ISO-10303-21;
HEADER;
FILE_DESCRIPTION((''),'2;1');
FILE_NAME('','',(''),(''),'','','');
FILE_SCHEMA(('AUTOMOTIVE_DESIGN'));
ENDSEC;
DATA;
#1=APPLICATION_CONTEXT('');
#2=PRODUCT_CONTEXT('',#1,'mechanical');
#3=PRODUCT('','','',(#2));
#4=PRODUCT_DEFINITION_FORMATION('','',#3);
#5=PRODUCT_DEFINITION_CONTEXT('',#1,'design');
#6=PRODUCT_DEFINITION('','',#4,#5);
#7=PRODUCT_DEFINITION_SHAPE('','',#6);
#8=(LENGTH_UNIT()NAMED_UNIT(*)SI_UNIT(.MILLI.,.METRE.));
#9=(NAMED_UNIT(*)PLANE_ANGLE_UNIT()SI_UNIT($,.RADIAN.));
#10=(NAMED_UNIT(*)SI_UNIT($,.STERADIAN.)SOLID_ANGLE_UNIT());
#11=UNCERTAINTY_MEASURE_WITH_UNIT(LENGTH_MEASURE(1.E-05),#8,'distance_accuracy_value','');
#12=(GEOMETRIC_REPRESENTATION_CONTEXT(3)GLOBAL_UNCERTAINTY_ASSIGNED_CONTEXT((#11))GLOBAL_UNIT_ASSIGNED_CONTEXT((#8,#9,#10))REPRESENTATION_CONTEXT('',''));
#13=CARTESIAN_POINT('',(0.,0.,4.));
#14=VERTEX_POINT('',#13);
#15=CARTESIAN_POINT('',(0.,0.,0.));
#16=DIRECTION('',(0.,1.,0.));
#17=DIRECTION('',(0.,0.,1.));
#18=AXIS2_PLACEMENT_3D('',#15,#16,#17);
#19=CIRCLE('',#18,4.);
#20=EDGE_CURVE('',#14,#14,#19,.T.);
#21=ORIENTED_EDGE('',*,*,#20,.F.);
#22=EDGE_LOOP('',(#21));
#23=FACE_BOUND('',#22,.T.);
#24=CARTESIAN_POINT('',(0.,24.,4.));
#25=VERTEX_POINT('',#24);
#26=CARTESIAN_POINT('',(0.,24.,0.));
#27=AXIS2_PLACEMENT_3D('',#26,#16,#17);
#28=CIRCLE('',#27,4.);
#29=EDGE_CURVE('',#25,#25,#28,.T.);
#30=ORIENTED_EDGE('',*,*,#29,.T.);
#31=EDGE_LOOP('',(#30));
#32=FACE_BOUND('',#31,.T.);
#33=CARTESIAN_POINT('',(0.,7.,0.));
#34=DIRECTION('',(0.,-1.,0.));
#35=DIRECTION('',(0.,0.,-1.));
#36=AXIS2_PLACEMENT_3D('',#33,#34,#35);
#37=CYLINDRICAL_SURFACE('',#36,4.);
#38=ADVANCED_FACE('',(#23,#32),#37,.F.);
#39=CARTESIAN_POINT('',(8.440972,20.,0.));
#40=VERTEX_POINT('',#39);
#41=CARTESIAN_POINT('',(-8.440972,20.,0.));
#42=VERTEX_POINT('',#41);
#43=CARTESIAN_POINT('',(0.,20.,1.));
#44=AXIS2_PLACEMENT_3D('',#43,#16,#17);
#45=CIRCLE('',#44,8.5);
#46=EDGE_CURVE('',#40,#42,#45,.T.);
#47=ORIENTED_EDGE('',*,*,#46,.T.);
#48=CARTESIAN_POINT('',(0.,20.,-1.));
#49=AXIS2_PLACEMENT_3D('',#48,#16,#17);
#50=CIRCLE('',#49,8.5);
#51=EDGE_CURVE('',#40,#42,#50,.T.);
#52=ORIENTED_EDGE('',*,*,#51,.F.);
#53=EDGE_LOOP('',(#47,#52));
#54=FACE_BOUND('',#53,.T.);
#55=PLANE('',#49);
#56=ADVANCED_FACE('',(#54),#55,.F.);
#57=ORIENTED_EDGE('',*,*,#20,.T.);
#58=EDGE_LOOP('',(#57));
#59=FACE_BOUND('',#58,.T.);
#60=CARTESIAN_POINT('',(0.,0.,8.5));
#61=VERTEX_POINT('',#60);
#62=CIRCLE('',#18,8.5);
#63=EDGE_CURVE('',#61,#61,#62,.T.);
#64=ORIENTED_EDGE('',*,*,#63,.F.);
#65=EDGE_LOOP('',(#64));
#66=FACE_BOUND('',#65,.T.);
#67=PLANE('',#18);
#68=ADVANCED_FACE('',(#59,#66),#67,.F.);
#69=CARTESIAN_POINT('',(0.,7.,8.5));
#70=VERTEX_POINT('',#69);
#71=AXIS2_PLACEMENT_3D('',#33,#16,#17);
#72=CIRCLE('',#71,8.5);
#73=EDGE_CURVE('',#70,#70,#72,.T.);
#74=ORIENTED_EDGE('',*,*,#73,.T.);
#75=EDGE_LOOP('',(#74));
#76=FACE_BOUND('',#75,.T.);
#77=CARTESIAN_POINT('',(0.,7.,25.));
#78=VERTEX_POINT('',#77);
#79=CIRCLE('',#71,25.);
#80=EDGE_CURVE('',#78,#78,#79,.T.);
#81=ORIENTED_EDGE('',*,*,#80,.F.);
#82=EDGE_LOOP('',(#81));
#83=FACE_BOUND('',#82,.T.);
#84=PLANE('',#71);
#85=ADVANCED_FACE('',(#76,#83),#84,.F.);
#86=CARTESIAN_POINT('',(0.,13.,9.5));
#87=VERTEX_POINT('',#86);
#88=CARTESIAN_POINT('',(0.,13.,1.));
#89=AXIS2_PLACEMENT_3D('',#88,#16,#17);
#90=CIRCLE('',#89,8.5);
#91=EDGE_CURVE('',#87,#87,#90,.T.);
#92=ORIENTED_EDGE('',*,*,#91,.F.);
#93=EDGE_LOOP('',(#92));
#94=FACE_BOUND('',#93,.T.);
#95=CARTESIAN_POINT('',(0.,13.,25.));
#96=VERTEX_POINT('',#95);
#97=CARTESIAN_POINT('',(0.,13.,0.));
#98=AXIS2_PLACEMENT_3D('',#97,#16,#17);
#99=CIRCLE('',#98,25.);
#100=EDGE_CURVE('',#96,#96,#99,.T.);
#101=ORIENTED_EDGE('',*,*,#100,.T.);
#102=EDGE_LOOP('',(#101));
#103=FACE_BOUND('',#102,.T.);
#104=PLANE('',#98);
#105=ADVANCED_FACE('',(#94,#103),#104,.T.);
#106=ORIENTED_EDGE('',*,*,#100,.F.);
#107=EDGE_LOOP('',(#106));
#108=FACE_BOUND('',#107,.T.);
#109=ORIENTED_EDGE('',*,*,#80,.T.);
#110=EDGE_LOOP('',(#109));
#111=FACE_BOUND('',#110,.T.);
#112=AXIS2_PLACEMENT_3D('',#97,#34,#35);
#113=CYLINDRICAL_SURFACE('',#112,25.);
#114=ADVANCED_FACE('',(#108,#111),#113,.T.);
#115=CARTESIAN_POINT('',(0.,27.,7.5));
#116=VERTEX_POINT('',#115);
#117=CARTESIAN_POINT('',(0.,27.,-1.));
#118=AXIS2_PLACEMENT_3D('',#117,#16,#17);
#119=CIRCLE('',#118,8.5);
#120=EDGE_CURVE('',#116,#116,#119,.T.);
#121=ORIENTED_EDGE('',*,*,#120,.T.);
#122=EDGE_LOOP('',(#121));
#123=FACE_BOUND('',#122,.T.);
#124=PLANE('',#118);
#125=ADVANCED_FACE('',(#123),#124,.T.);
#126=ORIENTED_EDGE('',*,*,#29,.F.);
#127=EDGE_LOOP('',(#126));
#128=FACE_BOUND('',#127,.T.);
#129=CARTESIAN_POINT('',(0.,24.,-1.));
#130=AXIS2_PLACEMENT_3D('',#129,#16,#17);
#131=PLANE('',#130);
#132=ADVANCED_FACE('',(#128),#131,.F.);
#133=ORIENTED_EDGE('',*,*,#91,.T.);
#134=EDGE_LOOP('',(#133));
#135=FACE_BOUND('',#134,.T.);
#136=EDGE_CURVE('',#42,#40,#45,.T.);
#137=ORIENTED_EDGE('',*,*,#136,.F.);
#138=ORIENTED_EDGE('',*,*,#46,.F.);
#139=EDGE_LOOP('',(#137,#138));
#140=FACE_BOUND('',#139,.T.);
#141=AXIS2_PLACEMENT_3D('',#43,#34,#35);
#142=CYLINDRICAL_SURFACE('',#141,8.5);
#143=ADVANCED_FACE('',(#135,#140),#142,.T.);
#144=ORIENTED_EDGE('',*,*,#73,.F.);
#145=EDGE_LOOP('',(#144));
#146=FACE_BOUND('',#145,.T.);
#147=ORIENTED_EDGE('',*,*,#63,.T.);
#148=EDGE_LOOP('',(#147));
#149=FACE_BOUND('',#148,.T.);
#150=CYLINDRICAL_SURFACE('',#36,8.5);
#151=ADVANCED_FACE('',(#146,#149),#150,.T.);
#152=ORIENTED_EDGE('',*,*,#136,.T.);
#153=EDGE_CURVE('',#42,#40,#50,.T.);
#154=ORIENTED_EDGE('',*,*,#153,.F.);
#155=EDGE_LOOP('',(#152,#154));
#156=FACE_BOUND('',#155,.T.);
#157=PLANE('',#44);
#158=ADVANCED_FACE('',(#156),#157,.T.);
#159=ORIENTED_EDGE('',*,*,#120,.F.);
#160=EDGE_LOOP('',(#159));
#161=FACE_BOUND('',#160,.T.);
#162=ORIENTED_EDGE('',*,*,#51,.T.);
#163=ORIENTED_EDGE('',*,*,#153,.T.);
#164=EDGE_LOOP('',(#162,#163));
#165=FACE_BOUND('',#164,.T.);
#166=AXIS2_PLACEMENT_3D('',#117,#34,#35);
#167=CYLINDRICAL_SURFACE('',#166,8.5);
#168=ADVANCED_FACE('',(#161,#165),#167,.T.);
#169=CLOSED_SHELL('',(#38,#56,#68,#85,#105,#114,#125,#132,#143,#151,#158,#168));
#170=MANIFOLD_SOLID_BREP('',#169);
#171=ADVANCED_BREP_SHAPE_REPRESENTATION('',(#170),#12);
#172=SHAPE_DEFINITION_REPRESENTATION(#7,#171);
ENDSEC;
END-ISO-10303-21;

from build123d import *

# Parameters (mm, degrees)
SKETCH1_R           = 8.5
SKETCH1_R_2         = 4
BOSS_EXTRUDE1_DEPTH = 7
SKETCH3_R           = 25
SKETCH3_R_2         = 4
BOSS_EXTRUDE3_DEPTH = 6
SKETCH4_R           = 8.5
SKETCH4_R_2         = 4
BOSS_EXTRUDE4_DEPTH = 7
SKETCH5_R           = 8.5
SKETCH5_R_2         = 4
BOSS_EXTRUDE5_DEPTH = 7
BOSS_EXTRUDE6_START = -3
SKETCH6_R           = 8.5
BOSS_EXTRUDE6_DEPTH = 3


with BuildPart() as part:
    # Sketch1 → Boss-Extrude1 (new body)
    with BuildSketch(Plane(origin=(0, 0, 0), x_dir=(1, 0, 0), z_dir=(0, 1, 0))):
        with Locations(Location((0, 0, 0), (0, 0, 270))):
            Circle(SKETCH1_R)
        with Locations(Location((0, 0, 0), (0, 0, 270))):
            Circle(SKETCH1_R_2, mode=Mode.SUBTRACT)
    extrude(amount=BOSS_EXTRUDE1_DEPTH)

    # Sketch3 → Boss-Extrude3 (add)
    with BuildSketch(Plane(origin=(0, 7, 0), x_dir=(1, 0, 0), z_dir=(0, 1, 0))):
        with Locations(Location((0, 0, 0), (0, 0, 270))):
            Circle(SKETCH3_R)
        with Locations(Location((0, 0, 0), (0, 0, 270))):
            Circle(SKETCH3_R_2, mode=Mode.SUBTRACT)
    extrude(amount=BOSS_EXTRUDE3_DEPTH)

    # Sketch4 → Boss-Extrude4 (add)
    with BuildSketch(Plane(origin=(0, 13, 0), x_dir=(1, 0, 0), z_dir=(0, 1, 0))):
        with Locations(Location((0, -1, 0), (0, 0, 270))):
            Circle(SKETCH4_R)
        with Locations(Location((0, 0, 0), (0, 0, 270))):
            Circle(SKETCH4_R_2, mode=Mode.SUBTRACT)
    extrude(amount=BOSS_EXTRUDE4_DEPTH)

    # Sketch5 → Boss-Extrude5 (add)
    with BuildSketch(Plane(origin=(0, 20, 0), x_dir=(1, 0, 0), z_dir=(0, 1, 0))):
        with Locations(Location((0, 1, 0), (0, 0, 186.756327031))):
            Circle(SKETCH5_R)
        with Locations(Location((0, 0, 0), (0, 0, 270))):
            Circle(SKETCH5_R_2, mode=Mode.SUBTRACT)
    extrude(amount=BOSS_EXTRUDE5_DEPTH)

    # Sketch6 → Boss-Extrude6 (add)
    with BuildSketch(Plane(origin=(0, 27, 0), x_dir=(1, 0, 0), z_dir=(0, 1, 0)).offset(BOSS_EXTRUDE6_START)):
        with Locations(Location((0, 1, 0), (0, 0, 186.756327031))):
            Circle(SKETCH6_R)
    extrude(amount=BOSS_EXTRUDE6_DEPTH)


solid = part.part
